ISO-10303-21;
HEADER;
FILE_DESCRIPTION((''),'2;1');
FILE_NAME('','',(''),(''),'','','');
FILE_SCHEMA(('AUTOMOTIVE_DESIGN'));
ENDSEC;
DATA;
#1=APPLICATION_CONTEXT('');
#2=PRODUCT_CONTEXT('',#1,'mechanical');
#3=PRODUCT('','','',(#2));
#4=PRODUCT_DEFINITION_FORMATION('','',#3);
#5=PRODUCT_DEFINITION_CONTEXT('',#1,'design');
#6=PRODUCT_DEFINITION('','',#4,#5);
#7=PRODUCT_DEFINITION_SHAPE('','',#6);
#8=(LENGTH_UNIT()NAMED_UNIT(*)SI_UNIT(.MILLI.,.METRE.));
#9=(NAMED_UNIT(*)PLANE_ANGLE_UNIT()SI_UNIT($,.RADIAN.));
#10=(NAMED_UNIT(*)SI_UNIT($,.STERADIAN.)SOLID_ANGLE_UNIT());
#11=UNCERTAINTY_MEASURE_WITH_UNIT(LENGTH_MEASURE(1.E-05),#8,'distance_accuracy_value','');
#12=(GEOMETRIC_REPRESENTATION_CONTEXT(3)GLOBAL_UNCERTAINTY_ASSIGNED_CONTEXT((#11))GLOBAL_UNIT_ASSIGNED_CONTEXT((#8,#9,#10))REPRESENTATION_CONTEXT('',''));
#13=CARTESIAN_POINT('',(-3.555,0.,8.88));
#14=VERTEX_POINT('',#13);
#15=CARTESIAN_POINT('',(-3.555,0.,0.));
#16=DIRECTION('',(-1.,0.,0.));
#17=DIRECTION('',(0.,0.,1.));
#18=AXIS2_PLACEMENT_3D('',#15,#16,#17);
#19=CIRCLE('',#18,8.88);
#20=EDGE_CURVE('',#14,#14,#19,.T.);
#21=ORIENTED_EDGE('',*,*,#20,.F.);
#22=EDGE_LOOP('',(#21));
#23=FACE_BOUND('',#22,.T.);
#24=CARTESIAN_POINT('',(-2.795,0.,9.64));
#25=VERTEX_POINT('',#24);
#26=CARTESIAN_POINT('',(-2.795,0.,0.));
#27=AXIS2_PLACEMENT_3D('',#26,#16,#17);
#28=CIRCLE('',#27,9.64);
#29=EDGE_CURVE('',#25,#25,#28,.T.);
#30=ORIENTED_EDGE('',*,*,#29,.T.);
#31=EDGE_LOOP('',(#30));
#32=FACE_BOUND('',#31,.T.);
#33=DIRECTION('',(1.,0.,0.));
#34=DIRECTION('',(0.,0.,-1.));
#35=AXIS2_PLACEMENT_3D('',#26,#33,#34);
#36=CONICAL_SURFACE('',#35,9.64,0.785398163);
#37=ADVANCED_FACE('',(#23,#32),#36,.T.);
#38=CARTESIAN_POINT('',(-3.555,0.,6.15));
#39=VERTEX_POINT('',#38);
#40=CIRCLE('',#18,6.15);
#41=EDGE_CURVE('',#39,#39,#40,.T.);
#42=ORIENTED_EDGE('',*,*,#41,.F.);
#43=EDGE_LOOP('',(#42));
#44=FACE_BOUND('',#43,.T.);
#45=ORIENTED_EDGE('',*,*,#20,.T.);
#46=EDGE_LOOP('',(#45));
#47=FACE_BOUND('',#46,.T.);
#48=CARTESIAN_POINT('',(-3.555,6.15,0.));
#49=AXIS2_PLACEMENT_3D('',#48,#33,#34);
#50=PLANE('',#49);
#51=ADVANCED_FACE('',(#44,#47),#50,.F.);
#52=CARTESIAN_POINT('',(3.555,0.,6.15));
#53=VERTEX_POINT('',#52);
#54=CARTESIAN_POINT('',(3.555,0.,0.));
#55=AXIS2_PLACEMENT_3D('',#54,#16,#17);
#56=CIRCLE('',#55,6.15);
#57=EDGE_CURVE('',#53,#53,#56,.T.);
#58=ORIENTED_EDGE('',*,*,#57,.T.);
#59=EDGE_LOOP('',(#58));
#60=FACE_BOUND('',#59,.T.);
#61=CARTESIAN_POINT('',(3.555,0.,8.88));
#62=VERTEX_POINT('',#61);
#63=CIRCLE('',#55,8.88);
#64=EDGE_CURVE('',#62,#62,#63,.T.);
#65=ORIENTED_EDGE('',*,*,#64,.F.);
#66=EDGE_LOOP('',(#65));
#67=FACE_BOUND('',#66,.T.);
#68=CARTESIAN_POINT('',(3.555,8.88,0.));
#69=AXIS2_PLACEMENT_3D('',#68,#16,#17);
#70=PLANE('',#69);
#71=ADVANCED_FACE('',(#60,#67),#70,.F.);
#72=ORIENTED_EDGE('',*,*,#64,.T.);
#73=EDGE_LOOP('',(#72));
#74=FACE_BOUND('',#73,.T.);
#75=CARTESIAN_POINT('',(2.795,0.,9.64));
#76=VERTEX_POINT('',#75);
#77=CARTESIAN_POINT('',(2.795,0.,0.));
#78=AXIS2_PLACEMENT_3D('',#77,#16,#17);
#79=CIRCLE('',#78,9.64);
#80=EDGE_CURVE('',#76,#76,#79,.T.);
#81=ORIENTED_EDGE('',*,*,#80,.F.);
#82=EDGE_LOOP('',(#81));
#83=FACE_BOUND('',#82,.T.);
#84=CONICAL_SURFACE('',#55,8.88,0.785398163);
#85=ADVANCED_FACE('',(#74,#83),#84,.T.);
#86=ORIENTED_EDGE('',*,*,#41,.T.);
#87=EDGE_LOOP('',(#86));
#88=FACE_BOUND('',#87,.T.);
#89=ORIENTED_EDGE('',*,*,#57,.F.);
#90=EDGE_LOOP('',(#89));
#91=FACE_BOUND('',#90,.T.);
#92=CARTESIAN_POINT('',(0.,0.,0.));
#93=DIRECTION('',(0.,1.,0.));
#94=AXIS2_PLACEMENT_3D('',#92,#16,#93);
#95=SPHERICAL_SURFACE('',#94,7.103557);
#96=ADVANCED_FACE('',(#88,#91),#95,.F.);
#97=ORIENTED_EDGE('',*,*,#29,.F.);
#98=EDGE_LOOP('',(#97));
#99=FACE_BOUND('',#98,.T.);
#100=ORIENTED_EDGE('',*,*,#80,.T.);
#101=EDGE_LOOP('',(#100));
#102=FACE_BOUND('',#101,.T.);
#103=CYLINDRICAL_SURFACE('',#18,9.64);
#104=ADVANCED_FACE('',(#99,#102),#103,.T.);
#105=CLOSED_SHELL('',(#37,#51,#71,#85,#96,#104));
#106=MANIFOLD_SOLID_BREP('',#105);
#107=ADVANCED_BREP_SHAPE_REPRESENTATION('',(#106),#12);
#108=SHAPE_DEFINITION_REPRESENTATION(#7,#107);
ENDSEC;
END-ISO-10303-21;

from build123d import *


with BuildPart() as part:
    # Sketch1 → Revolve1 (revolve)
    with BuildSketch(Plane.XY):
        with BuildLine():
            Line((-3.555, 6.15), (-3.555, 8.88))
            Line((-3.555, 8.88), (-2.795, 9.64))
            Line((-2.795, 9.64), (2.795, 9.64))
            Line((2.795, 9.64), (3.555, 8.88))
            Line((3.555, 8.88), (3.555, 6.15))
            ThreePointArc((3.555, 6.15), (0, 7.103557207), (-3.555, 6.15))
        make_face()
    revolve(axis=Axis((-3.555, 0, 0), (1, 0, 0)))


solid = part.part
